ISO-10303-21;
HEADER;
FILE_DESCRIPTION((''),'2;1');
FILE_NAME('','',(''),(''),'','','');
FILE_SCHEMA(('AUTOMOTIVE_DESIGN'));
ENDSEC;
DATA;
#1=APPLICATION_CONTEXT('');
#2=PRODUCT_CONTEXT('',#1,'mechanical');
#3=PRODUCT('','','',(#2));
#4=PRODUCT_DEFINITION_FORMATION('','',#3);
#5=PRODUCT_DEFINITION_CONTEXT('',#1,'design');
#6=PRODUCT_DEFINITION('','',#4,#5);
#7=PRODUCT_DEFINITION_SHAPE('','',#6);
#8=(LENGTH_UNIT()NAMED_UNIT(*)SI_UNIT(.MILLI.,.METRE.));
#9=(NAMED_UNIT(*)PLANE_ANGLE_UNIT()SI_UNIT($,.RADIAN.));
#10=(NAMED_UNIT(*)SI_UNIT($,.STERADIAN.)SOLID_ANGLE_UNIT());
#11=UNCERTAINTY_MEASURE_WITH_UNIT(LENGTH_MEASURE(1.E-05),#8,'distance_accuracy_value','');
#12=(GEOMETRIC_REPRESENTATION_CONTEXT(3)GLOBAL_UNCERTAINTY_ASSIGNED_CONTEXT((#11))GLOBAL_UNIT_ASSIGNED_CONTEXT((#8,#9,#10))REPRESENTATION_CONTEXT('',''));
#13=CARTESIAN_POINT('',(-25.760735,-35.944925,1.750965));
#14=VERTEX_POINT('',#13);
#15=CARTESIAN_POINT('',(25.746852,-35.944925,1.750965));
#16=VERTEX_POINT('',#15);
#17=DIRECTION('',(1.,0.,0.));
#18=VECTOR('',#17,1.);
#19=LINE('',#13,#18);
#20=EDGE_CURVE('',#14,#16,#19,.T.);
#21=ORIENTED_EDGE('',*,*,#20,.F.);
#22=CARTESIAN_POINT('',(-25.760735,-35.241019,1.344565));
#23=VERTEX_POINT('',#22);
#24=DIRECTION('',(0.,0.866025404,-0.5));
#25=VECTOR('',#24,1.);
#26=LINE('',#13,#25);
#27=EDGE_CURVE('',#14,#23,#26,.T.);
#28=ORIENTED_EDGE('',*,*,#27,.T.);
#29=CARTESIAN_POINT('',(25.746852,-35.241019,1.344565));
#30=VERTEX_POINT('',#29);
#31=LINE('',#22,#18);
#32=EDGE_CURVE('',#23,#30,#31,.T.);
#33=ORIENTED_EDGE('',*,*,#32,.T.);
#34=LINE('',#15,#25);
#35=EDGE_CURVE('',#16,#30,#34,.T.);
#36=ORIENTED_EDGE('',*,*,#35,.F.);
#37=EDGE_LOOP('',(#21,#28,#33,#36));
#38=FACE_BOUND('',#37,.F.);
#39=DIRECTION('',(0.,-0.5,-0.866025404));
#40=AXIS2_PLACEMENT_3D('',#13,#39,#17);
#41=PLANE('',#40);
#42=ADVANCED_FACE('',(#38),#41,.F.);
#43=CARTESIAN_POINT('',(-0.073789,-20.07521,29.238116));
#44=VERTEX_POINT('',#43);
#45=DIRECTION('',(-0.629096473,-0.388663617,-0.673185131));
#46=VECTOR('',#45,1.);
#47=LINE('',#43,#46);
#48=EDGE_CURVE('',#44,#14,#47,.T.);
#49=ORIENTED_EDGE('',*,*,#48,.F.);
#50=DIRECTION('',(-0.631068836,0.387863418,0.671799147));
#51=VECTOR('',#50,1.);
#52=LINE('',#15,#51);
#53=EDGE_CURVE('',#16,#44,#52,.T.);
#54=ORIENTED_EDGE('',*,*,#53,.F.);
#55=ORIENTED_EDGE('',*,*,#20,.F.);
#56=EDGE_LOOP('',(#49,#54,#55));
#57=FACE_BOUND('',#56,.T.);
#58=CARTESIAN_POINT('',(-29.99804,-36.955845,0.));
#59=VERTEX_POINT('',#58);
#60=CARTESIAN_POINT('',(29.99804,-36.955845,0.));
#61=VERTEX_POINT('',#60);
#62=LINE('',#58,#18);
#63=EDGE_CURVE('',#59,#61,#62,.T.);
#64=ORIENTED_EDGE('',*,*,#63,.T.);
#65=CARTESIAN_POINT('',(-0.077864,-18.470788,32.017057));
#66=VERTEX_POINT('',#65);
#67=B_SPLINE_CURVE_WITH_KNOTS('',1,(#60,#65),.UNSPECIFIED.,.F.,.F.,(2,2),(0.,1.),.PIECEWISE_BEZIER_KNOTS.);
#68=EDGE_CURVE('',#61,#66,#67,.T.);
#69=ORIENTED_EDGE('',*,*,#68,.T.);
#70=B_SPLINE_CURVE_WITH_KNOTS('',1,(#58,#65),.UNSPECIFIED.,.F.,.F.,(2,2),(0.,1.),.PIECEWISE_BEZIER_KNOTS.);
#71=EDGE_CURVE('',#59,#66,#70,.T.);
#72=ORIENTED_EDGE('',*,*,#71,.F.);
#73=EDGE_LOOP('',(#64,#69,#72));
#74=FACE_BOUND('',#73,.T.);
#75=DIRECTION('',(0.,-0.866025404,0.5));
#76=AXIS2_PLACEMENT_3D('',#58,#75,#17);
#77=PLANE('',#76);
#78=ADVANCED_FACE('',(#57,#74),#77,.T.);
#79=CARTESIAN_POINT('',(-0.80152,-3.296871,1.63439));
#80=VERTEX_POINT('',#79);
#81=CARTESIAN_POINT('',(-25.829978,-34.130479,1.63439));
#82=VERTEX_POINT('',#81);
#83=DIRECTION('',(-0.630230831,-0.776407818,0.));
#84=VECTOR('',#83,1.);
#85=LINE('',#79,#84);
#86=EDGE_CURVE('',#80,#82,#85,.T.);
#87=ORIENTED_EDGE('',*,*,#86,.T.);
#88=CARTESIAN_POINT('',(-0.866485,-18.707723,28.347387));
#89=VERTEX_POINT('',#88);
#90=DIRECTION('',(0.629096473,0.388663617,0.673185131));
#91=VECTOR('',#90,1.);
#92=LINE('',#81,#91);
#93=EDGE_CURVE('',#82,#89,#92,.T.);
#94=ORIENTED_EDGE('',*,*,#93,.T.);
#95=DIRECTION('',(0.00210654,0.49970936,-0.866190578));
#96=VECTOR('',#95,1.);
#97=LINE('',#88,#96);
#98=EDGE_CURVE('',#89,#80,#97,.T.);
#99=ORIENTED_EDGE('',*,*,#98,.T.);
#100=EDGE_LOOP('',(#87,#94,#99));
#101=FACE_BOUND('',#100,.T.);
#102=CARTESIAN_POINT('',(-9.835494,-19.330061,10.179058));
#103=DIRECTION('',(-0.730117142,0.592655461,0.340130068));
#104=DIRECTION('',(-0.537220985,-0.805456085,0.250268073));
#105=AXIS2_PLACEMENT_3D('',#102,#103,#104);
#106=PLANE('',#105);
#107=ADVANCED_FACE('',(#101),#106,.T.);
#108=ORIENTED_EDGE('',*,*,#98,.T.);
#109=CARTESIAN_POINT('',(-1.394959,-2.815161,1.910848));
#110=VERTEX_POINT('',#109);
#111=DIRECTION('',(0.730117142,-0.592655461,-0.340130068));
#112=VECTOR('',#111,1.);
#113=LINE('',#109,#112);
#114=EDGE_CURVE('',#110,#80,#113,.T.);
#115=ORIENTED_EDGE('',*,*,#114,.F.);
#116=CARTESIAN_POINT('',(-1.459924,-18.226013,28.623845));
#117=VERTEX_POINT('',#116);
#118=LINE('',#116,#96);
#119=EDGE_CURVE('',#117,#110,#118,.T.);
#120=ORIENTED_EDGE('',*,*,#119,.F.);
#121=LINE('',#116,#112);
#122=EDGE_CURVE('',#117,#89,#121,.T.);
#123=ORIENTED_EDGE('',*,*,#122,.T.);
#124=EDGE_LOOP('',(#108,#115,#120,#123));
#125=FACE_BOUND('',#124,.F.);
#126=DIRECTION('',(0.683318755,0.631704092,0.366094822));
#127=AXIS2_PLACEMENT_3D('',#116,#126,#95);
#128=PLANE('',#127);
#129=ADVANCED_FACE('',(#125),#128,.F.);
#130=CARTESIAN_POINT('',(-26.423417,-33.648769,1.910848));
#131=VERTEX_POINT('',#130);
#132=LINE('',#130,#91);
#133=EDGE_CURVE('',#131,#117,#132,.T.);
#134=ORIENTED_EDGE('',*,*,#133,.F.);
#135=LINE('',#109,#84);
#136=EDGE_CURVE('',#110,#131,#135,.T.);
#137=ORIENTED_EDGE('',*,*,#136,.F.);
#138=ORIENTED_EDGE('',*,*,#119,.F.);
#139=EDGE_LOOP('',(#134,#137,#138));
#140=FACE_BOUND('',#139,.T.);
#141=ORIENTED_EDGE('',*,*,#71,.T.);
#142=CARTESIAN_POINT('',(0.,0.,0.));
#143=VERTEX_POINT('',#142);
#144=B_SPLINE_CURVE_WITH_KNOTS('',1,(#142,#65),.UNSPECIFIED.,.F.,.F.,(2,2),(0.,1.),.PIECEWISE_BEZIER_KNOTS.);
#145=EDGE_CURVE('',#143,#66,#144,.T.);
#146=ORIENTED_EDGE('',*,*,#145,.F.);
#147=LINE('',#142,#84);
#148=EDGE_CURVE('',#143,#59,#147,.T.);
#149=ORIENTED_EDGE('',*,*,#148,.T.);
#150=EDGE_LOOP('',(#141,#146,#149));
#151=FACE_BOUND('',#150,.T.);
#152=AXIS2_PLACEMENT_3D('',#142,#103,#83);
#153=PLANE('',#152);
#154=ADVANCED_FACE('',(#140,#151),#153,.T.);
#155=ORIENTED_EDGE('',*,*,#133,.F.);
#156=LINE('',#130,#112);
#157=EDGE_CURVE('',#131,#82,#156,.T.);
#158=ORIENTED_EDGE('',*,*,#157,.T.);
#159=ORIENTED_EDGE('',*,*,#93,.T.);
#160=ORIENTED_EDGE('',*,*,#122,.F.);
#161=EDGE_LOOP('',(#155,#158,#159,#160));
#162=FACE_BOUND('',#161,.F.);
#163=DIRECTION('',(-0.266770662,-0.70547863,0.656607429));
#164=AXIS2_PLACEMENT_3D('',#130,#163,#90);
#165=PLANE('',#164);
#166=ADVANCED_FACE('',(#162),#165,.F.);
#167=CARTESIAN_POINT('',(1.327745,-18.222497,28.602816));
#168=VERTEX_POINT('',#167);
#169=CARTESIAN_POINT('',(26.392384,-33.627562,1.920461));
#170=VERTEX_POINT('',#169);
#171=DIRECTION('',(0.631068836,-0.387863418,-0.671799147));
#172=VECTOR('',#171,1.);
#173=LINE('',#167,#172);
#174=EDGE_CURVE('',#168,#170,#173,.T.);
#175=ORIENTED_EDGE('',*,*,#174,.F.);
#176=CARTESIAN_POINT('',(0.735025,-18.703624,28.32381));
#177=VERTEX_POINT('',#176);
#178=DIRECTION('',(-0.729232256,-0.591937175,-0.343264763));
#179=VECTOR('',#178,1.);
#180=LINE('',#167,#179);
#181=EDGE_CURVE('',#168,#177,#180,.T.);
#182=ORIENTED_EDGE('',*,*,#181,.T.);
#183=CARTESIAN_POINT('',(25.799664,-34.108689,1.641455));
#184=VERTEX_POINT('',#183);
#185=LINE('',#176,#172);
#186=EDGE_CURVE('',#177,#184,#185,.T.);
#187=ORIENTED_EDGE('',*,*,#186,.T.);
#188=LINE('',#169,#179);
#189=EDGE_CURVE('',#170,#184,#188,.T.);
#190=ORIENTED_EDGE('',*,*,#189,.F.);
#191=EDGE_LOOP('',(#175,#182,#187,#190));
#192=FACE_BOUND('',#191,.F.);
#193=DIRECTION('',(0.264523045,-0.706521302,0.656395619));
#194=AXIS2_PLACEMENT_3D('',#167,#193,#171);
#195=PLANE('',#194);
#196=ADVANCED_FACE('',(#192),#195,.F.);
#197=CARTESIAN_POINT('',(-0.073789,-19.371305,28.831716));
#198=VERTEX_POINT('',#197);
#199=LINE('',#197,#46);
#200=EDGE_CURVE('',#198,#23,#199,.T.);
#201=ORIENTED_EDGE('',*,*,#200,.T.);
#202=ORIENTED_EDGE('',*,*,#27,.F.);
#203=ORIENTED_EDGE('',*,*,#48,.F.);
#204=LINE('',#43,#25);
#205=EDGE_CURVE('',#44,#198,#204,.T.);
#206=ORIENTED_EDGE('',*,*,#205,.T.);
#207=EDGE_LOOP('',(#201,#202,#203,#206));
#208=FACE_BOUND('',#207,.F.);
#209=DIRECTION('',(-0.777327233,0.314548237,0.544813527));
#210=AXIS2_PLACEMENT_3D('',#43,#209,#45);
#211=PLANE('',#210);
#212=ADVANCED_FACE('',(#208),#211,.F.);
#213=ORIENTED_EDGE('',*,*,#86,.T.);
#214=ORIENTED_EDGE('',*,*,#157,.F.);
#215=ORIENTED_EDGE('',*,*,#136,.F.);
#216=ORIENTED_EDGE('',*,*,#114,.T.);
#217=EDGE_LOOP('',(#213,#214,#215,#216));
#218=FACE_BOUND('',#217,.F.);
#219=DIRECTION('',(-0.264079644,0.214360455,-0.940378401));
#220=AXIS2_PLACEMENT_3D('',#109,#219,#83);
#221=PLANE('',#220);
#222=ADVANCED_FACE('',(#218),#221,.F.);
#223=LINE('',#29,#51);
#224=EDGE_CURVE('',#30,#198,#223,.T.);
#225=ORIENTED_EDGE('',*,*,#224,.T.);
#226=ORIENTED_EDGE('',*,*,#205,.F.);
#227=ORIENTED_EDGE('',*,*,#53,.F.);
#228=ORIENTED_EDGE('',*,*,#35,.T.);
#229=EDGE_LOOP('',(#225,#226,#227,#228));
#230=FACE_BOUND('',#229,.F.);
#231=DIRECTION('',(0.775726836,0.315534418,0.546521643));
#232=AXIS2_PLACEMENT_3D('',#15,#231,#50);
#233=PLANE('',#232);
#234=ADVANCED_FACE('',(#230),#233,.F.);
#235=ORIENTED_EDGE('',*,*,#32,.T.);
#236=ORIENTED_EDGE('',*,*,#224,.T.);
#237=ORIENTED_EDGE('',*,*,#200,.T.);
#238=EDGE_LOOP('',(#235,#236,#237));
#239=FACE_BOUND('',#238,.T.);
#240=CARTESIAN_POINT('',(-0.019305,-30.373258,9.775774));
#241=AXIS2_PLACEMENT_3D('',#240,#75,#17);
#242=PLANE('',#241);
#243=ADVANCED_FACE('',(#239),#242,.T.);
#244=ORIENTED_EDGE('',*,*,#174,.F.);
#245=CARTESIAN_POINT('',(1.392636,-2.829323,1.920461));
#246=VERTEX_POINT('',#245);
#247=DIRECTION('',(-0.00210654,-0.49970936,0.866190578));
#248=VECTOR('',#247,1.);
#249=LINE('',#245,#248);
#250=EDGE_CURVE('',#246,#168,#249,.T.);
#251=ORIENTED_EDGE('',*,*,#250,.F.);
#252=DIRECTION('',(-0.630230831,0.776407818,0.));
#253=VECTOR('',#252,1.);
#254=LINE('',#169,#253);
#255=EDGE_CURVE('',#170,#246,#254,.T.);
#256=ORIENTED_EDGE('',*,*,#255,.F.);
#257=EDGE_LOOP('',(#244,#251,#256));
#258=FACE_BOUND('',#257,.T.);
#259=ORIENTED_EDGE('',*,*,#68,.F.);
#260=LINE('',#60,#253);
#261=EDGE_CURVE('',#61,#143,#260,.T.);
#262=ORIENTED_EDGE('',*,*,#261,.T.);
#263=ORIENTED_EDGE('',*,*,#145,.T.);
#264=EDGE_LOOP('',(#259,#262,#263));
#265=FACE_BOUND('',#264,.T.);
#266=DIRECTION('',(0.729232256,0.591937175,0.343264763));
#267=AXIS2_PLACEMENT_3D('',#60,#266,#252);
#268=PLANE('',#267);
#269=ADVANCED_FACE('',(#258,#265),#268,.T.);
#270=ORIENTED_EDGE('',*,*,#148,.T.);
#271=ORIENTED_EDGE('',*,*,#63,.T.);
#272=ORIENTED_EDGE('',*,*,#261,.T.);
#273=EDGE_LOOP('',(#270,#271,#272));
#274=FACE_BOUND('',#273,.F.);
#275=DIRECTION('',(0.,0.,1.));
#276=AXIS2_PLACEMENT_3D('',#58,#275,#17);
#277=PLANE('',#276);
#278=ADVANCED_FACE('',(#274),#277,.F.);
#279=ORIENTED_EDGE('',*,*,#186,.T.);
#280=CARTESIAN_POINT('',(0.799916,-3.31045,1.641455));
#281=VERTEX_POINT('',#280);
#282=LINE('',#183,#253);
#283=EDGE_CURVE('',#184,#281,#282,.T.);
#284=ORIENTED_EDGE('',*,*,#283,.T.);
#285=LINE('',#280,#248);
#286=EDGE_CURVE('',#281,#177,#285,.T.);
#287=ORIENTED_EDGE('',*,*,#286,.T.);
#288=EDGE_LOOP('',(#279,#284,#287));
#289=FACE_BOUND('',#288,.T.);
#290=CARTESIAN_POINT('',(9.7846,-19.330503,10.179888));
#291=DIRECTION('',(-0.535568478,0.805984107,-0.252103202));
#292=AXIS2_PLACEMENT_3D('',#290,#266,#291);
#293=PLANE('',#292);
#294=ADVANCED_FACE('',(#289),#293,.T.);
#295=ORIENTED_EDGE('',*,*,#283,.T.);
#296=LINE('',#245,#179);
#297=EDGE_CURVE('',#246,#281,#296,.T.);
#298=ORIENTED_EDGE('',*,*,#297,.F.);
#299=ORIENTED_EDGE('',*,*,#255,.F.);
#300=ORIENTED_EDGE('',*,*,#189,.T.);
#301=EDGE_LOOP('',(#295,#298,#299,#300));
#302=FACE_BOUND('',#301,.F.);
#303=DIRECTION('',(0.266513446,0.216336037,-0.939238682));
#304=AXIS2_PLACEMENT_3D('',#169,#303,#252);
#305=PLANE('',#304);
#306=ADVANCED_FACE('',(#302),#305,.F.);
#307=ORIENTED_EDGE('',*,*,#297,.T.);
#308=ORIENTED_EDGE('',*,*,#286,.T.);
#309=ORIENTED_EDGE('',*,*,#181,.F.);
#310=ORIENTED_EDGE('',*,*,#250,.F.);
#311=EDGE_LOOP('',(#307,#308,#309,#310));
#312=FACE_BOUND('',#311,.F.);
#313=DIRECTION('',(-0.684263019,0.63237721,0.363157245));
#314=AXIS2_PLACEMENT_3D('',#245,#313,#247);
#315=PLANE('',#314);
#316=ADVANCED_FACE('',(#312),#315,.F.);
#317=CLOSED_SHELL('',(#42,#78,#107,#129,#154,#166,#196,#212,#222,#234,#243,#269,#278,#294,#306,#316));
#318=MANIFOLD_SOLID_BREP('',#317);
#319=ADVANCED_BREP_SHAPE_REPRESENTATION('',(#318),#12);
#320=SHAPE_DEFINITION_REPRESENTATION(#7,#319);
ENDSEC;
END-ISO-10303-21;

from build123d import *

# Parameters (mm, degrees)
F7_DEPTH = 0.8128
F8_DEPTH = 0.8128
F9_DEPTH = 0.8128


with BuildPart() as f3:
    # F0 (on Top) → F3 section 0
    with BuildSketch(Plane.XY, mode=Mode.PRIVATE) as f3_s0:
        Polygon((-29.9980398268, -36.9558446109), (29.9980398268, -36.9558446109), (0, 0), align=None)
    loft([f3_s0.sketch, Vertex(-0.0778641552, -18.4707883745, 32.0170565822)])

    # F5 (on face) → F7 (cut)
    with BuildSketch(Plane(origin=(0, -27.7168834582, 16.0023501257), x_dir=(1, 0, 0), z_dir=(0, -0.8660254038, 0.5))):
        Polygon((-25.7607347469, -16.4560821702), (25.7468520606, -16.4560821702), (-0.0737889564, 15.2833462803), align=None)
    extrude(amount=-F7_DEPTH, mode=Mode.SUBTRACT)

    # F6 (on face) → F8 (cut)
    with BuildSketch(Plane(origin=(0, 0, 0), x_dir=(-0.5355684781, 0.8059841071, -0.252103202), z_dir=(0.729232256, 0.591937175, 0.3432647631))):
        Polygon((-41.7223640249, -9.5028096175), (-3.510395555, 1.1444631503), (-22.6090033778, 25.3135608223), align=None)
    extrude(amount=-F8_DEPTH, mode=Mode.SUBTRACT)

    # F4 (on face) → F9 (cut)
    with BuildSketch(Plane(origin=(0, 0, 0), x_dir=(-0.537220985, -0.805456085, 0.250268073), z_dir=(-0.7301171424, 0.5926554607, 0.3401300682))):
        Polygon((3.4951138194, 1.1430482538), (41.776044137, -9.426033441), (22.6281892536, 25.3299917255), align=None)
    extrude(amount=-F9_DEPTH, mode=Mode.SUBTRACT)


solid = f3.part
